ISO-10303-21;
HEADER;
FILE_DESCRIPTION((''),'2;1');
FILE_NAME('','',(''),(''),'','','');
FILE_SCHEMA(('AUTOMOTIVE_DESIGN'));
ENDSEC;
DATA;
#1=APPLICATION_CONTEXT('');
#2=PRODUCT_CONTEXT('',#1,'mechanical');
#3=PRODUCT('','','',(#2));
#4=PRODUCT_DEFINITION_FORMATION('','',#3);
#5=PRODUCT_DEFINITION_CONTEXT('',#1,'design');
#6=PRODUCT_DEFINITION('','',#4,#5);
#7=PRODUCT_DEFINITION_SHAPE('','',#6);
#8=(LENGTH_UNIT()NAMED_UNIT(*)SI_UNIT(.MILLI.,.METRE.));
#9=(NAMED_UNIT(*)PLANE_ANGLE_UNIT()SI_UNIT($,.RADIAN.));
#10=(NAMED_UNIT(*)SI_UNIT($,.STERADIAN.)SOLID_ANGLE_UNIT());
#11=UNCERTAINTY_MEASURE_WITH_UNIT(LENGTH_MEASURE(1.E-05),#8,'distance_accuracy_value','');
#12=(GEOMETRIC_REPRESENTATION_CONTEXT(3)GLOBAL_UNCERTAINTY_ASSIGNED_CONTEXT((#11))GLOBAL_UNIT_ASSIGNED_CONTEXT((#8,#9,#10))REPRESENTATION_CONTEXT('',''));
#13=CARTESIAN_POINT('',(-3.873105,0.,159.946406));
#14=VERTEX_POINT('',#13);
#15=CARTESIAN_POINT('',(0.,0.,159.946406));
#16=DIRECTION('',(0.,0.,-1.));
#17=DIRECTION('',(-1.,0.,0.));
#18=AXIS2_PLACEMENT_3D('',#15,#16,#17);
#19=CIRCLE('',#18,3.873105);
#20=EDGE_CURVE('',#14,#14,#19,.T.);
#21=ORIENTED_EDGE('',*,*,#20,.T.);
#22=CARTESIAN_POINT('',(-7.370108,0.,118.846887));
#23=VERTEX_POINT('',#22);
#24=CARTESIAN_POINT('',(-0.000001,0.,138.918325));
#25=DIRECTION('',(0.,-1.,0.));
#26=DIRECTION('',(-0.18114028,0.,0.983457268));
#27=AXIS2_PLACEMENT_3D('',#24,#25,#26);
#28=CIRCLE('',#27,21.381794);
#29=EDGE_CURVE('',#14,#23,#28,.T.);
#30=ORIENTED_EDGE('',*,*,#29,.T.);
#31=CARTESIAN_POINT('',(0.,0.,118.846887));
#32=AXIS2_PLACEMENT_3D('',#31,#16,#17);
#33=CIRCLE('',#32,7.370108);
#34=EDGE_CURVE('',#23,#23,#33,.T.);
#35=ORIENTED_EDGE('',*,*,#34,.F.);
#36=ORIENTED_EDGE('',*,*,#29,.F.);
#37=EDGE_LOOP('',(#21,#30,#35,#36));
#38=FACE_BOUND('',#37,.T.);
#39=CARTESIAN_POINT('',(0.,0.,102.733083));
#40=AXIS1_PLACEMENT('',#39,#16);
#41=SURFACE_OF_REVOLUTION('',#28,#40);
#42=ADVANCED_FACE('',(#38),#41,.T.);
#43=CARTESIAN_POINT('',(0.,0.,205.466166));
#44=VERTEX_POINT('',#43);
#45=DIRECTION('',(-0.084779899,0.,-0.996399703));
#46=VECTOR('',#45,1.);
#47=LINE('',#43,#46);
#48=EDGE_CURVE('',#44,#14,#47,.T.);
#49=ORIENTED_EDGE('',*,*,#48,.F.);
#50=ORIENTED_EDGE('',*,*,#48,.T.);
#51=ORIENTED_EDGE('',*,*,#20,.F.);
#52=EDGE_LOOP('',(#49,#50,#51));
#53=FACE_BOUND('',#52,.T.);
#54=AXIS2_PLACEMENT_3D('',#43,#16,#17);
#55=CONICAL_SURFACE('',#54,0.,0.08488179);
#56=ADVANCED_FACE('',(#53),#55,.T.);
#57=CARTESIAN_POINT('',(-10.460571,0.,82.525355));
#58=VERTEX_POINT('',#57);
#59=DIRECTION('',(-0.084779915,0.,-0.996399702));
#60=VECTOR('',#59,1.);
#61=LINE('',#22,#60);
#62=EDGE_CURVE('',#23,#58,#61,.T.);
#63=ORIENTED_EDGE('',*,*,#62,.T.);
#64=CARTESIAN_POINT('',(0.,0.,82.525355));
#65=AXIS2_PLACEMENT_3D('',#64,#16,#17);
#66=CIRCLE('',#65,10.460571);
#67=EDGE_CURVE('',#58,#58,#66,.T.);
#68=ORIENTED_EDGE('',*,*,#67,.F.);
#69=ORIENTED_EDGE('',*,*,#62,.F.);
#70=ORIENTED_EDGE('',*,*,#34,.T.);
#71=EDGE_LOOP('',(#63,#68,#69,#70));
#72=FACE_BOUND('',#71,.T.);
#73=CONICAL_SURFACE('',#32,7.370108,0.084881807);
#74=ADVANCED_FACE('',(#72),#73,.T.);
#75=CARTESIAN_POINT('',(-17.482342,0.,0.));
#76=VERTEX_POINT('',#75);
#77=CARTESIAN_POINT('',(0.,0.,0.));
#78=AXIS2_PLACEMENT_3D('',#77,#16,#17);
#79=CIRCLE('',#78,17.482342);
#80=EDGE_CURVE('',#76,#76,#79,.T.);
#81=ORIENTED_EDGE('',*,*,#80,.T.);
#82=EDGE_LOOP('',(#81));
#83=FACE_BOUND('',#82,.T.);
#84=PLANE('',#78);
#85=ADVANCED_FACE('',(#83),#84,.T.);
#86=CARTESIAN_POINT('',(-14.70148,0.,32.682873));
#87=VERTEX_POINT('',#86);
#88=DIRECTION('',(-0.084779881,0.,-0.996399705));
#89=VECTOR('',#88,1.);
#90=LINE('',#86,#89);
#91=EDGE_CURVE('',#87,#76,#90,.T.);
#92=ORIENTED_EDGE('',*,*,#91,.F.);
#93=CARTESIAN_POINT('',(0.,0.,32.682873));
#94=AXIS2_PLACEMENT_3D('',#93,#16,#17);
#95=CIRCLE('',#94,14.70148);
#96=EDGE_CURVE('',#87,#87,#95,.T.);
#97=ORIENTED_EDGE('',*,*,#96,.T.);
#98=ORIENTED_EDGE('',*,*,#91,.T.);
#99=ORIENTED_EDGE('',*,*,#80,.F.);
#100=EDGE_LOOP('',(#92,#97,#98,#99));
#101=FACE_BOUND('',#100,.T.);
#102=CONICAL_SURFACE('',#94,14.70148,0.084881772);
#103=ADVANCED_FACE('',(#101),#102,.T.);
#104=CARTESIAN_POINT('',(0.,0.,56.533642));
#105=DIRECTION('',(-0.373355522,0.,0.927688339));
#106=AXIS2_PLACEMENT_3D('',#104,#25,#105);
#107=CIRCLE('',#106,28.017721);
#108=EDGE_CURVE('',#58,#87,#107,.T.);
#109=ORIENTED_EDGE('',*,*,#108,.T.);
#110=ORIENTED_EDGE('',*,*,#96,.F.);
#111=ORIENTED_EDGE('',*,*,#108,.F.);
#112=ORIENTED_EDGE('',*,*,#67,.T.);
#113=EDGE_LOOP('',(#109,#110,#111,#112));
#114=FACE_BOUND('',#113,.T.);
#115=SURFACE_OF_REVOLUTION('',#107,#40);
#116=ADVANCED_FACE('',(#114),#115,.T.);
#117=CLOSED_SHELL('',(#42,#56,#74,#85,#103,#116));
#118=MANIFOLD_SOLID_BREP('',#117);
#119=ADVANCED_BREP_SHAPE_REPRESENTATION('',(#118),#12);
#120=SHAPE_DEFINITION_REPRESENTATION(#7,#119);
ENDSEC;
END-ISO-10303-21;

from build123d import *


with BuildPart() as f1:
    # F0 (on Front) → F1 (revolve)
    with BuildSketch(Plane.XZ):
        with BuildLine():
            Line((-17.482342, 0), (0, 0))
            Line((0, 0), (0, 205.466166))
            Line((0, 205.466166), (-3.873105, 159.946406))
            ThreePointArc((-3.873105, 159.946406), (-21.304814, 140.731072), (-7.370108, 118.846887))
            Line((-7.370108, 118.846887), (-10.460571, 82.525355))
            ThreePointArc((-10.460571, 82.525355), (-27.916849, 58.908982), (-14.70148, 32.682873))
            Line((-14.70148, 32.682873), (-17.482342, 0))
        make_face()
    revolve(axis=Axis((0, 0, 102.733083), (0, 0, -1)))


solid = f1.part
